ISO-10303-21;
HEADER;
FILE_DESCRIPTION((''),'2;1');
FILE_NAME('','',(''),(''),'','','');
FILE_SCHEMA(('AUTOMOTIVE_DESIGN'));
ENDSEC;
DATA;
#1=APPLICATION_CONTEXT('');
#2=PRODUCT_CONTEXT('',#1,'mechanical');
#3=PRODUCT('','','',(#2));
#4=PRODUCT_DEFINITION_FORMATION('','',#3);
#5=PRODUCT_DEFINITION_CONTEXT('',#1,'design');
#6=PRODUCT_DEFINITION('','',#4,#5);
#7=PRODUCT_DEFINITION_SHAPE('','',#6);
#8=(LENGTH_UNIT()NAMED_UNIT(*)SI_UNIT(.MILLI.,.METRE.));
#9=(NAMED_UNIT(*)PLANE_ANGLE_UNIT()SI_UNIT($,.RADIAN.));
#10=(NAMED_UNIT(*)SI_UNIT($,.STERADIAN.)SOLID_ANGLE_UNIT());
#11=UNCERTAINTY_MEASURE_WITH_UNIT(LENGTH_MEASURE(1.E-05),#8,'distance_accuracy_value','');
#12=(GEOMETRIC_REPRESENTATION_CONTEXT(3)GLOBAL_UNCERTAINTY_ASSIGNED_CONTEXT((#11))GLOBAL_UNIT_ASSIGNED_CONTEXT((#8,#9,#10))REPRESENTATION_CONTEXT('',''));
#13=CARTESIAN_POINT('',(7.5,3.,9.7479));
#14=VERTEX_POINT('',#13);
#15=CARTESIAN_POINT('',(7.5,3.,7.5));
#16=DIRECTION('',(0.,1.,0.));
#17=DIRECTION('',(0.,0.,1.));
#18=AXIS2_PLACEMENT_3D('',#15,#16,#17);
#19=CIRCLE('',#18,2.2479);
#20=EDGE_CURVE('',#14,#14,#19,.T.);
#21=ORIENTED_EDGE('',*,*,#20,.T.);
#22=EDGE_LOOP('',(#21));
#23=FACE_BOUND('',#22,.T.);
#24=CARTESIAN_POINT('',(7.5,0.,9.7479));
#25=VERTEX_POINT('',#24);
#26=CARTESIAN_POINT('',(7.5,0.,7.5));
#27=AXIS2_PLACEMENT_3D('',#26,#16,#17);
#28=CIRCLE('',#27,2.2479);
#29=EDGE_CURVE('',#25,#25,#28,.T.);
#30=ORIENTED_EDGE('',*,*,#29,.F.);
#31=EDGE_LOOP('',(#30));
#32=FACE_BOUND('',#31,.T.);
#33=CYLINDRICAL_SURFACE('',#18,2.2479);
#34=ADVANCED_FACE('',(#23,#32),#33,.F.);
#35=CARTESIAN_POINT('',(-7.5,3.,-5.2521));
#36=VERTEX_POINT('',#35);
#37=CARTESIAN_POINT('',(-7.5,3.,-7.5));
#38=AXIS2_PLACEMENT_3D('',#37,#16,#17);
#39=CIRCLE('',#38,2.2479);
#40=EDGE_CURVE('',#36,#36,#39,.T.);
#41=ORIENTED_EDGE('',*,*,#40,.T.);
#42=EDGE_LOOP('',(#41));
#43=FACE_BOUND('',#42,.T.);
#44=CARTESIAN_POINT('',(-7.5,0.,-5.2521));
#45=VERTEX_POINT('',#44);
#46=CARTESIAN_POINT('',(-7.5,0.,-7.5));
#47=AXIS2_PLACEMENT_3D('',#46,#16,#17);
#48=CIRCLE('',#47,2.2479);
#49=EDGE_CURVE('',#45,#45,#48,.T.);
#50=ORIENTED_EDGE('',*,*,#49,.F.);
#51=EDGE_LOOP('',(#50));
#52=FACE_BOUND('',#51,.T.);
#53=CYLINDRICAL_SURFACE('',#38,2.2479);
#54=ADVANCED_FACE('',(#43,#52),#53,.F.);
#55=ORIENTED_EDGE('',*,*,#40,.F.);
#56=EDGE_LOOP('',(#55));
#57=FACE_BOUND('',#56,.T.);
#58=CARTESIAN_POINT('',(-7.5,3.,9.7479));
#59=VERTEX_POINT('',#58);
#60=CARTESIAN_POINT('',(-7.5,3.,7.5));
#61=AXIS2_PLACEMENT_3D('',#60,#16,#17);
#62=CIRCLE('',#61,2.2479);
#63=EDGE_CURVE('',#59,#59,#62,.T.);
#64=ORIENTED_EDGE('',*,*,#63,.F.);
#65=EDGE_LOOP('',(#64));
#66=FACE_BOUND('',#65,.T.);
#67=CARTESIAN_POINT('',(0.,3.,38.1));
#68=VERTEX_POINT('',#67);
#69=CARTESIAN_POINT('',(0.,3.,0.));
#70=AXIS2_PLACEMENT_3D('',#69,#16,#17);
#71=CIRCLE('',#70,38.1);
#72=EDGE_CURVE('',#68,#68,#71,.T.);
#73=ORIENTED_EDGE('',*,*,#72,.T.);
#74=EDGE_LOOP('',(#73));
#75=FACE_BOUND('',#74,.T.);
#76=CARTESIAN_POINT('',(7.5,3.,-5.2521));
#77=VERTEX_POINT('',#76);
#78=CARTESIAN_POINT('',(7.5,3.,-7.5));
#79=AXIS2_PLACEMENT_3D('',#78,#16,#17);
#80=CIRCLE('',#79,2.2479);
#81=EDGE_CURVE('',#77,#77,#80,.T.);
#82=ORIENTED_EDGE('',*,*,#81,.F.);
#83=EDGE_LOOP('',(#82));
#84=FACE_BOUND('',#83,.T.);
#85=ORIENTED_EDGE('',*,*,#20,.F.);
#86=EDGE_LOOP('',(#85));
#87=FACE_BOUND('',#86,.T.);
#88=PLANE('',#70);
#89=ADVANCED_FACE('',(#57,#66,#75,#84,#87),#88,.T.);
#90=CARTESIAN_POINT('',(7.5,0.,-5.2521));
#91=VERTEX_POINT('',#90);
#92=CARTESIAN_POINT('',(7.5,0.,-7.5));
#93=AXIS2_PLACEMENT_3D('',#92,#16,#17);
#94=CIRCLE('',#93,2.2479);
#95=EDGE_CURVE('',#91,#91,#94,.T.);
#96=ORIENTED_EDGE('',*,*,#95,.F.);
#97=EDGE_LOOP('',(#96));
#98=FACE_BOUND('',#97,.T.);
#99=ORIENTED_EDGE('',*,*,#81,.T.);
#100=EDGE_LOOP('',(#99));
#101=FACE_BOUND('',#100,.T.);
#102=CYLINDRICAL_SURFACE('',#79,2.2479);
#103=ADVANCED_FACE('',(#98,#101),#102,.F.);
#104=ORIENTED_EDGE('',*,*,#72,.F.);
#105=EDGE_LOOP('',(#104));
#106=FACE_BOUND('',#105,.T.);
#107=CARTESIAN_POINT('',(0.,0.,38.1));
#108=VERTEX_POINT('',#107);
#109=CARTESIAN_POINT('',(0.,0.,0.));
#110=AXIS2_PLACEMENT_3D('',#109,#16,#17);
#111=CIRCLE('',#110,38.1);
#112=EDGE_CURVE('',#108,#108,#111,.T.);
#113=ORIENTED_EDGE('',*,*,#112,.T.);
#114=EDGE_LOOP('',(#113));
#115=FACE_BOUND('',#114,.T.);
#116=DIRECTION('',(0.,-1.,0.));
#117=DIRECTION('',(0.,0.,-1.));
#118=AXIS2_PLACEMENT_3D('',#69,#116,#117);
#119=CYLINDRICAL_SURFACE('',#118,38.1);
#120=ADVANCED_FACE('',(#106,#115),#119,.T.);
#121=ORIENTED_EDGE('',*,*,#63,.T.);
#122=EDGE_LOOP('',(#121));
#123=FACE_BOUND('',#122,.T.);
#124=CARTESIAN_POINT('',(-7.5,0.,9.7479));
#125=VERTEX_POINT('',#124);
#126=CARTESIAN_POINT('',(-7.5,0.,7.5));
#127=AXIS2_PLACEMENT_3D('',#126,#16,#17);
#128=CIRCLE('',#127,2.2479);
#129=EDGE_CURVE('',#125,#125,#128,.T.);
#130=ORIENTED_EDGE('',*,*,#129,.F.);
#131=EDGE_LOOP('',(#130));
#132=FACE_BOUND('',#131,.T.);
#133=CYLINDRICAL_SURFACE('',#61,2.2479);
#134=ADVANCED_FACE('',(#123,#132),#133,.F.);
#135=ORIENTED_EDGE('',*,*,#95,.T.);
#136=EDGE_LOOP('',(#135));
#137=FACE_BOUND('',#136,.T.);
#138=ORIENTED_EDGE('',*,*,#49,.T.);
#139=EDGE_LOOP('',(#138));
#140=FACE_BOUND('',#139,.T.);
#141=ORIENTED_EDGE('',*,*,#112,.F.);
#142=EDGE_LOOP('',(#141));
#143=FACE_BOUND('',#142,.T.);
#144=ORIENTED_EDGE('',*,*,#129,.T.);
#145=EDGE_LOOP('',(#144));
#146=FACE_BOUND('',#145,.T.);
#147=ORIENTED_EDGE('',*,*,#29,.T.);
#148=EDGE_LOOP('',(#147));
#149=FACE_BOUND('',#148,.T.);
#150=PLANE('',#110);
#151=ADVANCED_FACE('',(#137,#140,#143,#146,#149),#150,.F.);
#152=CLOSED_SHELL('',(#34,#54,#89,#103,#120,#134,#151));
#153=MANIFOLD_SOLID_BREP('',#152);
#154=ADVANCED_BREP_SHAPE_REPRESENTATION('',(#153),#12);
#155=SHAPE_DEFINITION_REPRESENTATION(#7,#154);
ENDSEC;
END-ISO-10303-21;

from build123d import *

# Parameters (mm, degrees)
SKETCH1_R             = 38.1
BOSS_EXTRUDE1_DEPTH   = 3
F_8_CLEARANCE_HOLE1_D = 4.4958


with BuildPart() as part:
    # Sketch1 → Boss-Extrude1 (new body)
    with BuildSketch(Plane(origin=(0, 0, 0), x_dir=(1, 0, 0), z_dir=(0, 1, 0))):
        with Locations(Location((0, 0, 0), (0, 0, 270))):
            Circle(SKETCH1_R)
    extrude(amount=BOSS_EXTRUDE1_DEPTH)

    # #8 Clearance Hole1 (through all)
    with Locations(Plane(origin=(0, 3, 0), x_dir=(1, 0, 0), z_dir=(0, 1, 0))):
        with Locations((-7.5, 7.5), (7.5, 7.5), (-7.5, -7.5), (7.5, -7.5)):
            Hole(F_8_CLEARANCE_HOLE1_D / 2)


solid = part.part
